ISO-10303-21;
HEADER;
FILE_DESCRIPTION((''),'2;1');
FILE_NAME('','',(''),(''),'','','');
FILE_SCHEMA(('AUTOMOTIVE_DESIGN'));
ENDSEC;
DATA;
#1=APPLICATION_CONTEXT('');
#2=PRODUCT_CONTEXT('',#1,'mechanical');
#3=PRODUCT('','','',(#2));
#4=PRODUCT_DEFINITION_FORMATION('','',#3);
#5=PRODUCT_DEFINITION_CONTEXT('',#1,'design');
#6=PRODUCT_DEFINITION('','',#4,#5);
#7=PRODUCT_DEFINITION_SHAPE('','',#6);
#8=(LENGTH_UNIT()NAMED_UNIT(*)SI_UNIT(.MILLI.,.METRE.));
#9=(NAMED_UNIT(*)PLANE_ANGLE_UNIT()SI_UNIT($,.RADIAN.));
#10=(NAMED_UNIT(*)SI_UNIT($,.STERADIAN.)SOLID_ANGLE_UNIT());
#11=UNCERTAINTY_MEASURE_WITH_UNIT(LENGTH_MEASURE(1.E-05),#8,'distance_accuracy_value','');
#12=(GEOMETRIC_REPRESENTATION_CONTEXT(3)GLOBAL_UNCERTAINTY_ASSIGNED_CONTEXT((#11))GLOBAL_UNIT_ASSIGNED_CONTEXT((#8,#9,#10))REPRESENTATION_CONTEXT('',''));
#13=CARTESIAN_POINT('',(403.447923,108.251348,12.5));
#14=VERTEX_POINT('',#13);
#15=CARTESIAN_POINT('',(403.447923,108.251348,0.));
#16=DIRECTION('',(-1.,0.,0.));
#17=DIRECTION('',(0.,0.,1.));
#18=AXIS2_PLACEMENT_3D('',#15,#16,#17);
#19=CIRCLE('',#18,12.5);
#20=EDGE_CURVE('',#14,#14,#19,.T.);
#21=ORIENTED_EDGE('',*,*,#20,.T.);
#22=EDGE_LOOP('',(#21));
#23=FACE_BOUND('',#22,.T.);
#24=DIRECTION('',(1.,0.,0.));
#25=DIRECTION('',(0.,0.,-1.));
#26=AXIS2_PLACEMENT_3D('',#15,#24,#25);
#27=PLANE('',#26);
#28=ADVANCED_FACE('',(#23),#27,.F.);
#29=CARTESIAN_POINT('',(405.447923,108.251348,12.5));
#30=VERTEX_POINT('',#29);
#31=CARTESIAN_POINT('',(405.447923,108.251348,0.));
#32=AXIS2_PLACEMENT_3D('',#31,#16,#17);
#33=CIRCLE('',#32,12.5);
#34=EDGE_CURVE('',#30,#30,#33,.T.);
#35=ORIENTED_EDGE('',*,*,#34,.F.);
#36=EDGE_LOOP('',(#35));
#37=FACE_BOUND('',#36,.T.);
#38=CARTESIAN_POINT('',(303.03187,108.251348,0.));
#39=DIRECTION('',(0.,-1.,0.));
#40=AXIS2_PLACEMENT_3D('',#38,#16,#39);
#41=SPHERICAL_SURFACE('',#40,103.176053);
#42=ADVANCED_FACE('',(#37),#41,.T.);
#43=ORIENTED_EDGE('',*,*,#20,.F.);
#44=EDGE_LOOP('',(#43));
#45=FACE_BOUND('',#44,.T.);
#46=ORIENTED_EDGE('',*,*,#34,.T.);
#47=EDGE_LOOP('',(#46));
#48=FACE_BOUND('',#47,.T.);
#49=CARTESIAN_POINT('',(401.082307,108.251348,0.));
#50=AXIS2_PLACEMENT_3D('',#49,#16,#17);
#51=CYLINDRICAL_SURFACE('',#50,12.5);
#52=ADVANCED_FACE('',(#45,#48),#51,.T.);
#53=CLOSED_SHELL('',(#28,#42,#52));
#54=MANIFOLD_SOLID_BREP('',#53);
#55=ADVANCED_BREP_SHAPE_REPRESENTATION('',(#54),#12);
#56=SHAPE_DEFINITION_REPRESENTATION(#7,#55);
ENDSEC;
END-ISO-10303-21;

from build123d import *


with BuildPart() as part:
    # 草图1 → 旋转1 (revolve)
    with BuildSketch(Plane.XY, mode=Mode.PRIVATE) as revolve_1_sk:
        with BuildLine():
            Line((403.447923091, 108.251348429), (403.447923091, 120.751348429))
            Line((403.447923091, 120.751348429), (405.447923091, 120.751348429))
            ThreePointArc((405.447923091, 120.751348429), (406.017747824, 114.512889773), (406.207923091, 108.251348429))
            Line((406.207923091, 108.251348429), (403.447923091, 108.251348429))
        make_face()
    revolve(revolve_1_sk.sketch.rotate(Axis((401.082307188, 108.251348429, 0), (1, 0, 0)), 180), axis=Axis((401.082307188, 108.251348429, 0), (1, 0, 0)))  # turned: the seam where the file's is


solid = part.part
